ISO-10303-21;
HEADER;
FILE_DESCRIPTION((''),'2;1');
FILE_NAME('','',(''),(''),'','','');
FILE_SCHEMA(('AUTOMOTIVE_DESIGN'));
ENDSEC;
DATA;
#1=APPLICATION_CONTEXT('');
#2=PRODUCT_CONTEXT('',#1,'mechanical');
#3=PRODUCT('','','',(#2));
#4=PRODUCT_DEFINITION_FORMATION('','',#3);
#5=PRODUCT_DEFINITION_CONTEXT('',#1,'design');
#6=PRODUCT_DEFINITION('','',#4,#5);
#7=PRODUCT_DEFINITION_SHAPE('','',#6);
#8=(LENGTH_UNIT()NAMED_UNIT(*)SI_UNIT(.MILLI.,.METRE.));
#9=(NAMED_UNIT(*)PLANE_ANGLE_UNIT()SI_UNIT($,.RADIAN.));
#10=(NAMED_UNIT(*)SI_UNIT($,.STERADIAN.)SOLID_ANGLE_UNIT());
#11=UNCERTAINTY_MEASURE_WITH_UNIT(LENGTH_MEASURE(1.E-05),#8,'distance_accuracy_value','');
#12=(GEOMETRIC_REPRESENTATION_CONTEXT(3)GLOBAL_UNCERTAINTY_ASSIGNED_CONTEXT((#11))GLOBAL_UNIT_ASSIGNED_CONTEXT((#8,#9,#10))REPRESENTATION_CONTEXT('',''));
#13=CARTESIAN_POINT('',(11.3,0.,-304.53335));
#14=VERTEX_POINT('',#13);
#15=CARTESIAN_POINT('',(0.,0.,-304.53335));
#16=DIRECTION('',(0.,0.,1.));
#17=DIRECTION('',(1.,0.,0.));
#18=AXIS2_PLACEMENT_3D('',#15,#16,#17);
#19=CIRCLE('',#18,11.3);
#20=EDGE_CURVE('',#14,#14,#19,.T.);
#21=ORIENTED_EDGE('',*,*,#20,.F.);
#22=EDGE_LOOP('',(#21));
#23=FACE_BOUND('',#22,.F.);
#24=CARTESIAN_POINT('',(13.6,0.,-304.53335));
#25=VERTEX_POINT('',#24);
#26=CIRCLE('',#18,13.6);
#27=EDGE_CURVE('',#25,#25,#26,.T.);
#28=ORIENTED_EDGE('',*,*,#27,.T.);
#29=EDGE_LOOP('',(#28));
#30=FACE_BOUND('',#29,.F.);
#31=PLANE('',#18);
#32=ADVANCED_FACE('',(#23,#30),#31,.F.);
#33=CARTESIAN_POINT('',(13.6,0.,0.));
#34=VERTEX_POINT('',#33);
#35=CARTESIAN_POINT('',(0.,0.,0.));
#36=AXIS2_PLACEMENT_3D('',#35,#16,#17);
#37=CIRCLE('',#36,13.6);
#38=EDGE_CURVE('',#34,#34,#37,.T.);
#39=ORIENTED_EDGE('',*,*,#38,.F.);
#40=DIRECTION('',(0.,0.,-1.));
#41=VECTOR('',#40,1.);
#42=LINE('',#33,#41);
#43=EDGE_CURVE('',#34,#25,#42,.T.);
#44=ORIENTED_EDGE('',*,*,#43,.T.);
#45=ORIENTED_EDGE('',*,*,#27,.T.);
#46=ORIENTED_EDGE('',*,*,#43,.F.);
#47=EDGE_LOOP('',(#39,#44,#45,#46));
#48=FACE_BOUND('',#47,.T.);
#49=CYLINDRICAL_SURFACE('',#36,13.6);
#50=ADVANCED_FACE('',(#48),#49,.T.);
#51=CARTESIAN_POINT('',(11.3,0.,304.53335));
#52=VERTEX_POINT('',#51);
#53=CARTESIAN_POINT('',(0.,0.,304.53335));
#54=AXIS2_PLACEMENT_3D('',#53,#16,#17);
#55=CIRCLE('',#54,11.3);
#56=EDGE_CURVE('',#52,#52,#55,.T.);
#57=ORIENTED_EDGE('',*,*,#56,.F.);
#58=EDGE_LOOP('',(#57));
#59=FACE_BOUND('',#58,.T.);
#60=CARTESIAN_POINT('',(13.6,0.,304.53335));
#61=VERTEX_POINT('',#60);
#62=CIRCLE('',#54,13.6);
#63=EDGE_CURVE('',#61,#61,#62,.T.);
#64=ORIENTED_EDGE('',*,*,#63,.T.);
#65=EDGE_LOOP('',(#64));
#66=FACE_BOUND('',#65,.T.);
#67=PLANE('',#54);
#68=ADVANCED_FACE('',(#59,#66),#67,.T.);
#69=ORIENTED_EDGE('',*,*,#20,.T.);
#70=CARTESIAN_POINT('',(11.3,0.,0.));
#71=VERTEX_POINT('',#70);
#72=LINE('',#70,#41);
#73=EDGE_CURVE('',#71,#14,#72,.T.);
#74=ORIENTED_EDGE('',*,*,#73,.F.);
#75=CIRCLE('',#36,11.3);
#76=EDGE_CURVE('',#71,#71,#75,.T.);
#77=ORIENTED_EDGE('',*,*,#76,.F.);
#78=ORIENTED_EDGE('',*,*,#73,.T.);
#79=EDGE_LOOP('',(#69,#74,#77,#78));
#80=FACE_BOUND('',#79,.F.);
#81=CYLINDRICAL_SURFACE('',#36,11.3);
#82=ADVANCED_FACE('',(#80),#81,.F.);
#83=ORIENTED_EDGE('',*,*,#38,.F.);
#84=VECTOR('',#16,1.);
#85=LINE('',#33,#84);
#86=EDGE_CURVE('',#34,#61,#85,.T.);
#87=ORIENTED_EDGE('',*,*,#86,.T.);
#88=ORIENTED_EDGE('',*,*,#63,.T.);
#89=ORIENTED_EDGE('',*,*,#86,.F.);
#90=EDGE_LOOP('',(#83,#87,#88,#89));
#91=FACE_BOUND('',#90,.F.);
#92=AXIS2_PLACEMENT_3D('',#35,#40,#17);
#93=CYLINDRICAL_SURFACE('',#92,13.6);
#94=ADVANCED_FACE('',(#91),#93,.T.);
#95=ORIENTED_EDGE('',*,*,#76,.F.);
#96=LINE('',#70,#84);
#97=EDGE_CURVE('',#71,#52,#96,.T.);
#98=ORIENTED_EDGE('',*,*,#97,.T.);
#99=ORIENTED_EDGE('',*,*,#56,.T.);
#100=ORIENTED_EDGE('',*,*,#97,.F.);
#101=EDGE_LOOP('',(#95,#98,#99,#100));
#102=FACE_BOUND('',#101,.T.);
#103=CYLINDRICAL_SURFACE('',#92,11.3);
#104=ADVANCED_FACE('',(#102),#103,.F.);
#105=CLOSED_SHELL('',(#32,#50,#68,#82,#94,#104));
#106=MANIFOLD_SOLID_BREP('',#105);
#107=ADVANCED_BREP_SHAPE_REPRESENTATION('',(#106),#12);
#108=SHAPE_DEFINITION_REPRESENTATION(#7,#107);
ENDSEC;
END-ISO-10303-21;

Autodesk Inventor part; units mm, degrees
ref_plane "XY Plane" through (0, 0, 0) normal (0, 0, 1) x (1, 0, 0)
sketch "スケッチ1" plane through (0, 0, 0) normal (0, 0, 1) x (1, 0, 0)
  circle A0 centre (0, 0) radius 13.6
  circle A1 centre (0, 0) radius 11.3
  dimension "d0" = 27.2
  dimension "d1" = 2.3
extrude "押し出し1" add sketch "スケッチ1" along normal mid plane 609.0667
ref_plane "作業平面1" through (13.6, 0, 0) normal (1, 0, 0) x (0, 1, 0)
ref_plane "作業平面2" through (-13.6, 0, 0) normal (-1, 0, 0) x (0, -1, 0)
ref_plane "作業平面3" through (0, 13.6, 0) normal (0, 1, 0) x (-1, 0, 0)
ref_plane "作業平面4" through (0, -13.6, 0) normal (0, -1, 0) x (1, 0, 0)
properties part number "Pipe6" material "鋼、炭素鋼"
